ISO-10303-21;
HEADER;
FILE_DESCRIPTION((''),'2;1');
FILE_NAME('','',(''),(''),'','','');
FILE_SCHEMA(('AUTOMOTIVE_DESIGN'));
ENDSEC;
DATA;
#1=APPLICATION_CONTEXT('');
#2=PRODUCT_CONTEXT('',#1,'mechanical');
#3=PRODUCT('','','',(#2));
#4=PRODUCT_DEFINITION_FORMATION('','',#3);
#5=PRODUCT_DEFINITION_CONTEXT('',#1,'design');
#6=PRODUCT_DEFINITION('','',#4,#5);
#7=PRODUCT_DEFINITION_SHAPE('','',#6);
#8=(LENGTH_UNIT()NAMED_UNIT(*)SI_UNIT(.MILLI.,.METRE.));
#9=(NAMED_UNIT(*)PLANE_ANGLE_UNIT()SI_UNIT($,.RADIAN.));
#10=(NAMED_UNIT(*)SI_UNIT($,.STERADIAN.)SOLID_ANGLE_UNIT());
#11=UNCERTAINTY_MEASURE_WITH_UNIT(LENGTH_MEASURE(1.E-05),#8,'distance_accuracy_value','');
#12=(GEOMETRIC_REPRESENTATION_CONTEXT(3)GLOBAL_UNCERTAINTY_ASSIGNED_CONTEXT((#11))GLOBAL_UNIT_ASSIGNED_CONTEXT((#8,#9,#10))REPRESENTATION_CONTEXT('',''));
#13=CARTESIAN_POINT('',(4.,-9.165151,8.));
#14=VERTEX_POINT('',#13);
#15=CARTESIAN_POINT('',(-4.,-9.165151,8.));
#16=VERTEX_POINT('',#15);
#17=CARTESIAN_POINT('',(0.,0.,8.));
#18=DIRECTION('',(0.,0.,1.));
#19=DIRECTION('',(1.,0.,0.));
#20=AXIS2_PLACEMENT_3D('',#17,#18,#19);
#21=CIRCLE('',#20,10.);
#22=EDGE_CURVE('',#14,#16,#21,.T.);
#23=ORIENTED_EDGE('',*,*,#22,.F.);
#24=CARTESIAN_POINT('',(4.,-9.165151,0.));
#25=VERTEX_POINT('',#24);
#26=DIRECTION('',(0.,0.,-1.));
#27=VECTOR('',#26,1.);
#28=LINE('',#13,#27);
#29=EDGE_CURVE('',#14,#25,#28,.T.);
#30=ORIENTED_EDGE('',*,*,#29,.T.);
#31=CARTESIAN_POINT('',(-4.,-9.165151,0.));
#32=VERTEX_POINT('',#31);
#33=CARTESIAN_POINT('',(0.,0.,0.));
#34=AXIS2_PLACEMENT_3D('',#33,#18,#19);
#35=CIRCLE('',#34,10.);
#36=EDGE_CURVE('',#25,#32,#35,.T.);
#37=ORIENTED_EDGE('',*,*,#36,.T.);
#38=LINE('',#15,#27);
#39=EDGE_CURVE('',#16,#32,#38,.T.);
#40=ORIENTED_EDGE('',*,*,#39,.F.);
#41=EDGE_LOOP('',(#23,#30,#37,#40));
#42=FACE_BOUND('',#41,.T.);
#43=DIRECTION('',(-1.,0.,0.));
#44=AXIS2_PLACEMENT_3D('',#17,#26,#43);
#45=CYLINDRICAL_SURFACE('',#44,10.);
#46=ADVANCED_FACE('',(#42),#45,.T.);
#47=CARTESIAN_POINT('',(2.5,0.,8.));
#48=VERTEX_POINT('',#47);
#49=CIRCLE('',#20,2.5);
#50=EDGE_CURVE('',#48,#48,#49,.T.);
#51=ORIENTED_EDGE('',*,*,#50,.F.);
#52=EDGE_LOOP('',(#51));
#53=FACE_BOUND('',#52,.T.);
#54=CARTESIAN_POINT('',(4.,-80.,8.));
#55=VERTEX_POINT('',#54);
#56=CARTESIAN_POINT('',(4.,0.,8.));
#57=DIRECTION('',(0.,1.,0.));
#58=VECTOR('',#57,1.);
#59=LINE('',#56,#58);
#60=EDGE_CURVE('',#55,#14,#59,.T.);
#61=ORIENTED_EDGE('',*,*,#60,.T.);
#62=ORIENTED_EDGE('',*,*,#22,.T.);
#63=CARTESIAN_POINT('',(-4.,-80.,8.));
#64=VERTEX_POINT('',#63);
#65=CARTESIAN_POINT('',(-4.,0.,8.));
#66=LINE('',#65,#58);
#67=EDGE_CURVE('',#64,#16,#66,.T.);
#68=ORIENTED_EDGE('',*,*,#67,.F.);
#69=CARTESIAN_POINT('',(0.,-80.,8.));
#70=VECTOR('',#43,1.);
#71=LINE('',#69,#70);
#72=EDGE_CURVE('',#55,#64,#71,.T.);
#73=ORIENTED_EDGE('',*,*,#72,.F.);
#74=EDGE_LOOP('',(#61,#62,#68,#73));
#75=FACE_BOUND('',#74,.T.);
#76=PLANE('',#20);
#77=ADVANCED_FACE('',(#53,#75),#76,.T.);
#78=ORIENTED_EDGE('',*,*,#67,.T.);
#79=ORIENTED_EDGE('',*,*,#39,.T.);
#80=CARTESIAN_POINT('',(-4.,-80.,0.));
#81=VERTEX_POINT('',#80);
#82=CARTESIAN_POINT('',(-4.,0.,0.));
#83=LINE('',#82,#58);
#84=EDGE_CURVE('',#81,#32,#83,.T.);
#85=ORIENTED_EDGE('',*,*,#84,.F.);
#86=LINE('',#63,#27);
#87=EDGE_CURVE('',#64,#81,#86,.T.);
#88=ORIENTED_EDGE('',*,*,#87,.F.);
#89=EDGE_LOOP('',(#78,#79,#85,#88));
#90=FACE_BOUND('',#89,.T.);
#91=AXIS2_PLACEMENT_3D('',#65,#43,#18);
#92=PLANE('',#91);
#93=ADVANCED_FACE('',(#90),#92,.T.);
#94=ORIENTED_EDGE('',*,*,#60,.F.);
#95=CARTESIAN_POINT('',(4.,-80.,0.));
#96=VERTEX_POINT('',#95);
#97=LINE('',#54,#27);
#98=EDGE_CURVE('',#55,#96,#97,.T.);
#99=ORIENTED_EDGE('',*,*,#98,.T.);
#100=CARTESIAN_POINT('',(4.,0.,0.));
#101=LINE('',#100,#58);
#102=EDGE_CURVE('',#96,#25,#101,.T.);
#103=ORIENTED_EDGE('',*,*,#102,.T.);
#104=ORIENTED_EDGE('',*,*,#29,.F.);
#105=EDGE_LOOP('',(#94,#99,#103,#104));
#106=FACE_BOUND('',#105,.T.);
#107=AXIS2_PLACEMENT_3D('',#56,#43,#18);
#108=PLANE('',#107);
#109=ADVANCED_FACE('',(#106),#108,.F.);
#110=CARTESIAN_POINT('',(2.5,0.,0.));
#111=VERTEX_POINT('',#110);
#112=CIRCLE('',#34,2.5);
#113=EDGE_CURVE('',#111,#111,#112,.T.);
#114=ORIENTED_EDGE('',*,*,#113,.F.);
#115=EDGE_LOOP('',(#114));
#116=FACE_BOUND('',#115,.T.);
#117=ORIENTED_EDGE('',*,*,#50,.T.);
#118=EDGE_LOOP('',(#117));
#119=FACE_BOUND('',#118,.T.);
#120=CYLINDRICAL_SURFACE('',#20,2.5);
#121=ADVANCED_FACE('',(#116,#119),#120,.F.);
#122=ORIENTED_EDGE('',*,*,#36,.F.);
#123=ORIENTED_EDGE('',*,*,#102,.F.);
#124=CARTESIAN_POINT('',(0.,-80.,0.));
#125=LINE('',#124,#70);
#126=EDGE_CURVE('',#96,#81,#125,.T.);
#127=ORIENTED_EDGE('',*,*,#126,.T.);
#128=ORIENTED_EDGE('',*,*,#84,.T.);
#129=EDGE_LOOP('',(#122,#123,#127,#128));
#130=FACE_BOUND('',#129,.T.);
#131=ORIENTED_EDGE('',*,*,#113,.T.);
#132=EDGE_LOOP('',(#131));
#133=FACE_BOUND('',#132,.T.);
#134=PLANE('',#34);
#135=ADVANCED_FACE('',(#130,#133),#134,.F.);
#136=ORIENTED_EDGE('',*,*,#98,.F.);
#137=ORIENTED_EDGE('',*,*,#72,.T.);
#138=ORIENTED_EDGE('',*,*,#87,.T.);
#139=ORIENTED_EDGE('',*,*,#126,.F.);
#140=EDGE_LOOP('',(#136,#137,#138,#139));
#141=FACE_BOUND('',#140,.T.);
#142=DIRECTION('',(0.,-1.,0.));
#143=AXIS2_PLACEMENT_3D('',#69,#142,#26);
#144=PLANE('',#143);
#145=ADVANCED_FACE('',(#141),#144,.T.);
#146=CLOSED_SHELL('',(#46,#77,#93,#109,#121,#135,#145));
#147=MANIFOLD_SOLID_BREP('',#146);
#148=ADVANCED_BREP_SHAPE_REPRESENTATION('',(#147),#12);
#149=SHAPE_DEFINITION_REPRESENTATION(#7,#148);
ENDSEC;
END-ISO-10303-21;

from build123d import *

# Parameters (mm, degrees)
EXTRUDE_2_DEPTH    = 8
HOLE_WIZARD_M6_1_D = 5


with BuildPart() as part:
    # 草图1 → 凸台-拉伸2 (new body)
    with BuildSketch(Plane.XY):
        with BuildLine():
            Line((-4, -9.16515139), (-4, -80))
            Line((-4, -80), (4, -80))
            Line((4, -80), (4, -9.16515139))
            ThreePointArc((4, -9.16515139), (0, 10), (-4, -9.16515139))
        make_face()
    extrude(amount=EXTRUDE_2_DEPTH)

    # M6 螺纹孔1 (through all)
    with Locations(Plane.XY.offset(8)):
        with Locations((0, 0)):
            Hole(HOLE_WIZARD_M6_1_D / 2)


solid = part.part
